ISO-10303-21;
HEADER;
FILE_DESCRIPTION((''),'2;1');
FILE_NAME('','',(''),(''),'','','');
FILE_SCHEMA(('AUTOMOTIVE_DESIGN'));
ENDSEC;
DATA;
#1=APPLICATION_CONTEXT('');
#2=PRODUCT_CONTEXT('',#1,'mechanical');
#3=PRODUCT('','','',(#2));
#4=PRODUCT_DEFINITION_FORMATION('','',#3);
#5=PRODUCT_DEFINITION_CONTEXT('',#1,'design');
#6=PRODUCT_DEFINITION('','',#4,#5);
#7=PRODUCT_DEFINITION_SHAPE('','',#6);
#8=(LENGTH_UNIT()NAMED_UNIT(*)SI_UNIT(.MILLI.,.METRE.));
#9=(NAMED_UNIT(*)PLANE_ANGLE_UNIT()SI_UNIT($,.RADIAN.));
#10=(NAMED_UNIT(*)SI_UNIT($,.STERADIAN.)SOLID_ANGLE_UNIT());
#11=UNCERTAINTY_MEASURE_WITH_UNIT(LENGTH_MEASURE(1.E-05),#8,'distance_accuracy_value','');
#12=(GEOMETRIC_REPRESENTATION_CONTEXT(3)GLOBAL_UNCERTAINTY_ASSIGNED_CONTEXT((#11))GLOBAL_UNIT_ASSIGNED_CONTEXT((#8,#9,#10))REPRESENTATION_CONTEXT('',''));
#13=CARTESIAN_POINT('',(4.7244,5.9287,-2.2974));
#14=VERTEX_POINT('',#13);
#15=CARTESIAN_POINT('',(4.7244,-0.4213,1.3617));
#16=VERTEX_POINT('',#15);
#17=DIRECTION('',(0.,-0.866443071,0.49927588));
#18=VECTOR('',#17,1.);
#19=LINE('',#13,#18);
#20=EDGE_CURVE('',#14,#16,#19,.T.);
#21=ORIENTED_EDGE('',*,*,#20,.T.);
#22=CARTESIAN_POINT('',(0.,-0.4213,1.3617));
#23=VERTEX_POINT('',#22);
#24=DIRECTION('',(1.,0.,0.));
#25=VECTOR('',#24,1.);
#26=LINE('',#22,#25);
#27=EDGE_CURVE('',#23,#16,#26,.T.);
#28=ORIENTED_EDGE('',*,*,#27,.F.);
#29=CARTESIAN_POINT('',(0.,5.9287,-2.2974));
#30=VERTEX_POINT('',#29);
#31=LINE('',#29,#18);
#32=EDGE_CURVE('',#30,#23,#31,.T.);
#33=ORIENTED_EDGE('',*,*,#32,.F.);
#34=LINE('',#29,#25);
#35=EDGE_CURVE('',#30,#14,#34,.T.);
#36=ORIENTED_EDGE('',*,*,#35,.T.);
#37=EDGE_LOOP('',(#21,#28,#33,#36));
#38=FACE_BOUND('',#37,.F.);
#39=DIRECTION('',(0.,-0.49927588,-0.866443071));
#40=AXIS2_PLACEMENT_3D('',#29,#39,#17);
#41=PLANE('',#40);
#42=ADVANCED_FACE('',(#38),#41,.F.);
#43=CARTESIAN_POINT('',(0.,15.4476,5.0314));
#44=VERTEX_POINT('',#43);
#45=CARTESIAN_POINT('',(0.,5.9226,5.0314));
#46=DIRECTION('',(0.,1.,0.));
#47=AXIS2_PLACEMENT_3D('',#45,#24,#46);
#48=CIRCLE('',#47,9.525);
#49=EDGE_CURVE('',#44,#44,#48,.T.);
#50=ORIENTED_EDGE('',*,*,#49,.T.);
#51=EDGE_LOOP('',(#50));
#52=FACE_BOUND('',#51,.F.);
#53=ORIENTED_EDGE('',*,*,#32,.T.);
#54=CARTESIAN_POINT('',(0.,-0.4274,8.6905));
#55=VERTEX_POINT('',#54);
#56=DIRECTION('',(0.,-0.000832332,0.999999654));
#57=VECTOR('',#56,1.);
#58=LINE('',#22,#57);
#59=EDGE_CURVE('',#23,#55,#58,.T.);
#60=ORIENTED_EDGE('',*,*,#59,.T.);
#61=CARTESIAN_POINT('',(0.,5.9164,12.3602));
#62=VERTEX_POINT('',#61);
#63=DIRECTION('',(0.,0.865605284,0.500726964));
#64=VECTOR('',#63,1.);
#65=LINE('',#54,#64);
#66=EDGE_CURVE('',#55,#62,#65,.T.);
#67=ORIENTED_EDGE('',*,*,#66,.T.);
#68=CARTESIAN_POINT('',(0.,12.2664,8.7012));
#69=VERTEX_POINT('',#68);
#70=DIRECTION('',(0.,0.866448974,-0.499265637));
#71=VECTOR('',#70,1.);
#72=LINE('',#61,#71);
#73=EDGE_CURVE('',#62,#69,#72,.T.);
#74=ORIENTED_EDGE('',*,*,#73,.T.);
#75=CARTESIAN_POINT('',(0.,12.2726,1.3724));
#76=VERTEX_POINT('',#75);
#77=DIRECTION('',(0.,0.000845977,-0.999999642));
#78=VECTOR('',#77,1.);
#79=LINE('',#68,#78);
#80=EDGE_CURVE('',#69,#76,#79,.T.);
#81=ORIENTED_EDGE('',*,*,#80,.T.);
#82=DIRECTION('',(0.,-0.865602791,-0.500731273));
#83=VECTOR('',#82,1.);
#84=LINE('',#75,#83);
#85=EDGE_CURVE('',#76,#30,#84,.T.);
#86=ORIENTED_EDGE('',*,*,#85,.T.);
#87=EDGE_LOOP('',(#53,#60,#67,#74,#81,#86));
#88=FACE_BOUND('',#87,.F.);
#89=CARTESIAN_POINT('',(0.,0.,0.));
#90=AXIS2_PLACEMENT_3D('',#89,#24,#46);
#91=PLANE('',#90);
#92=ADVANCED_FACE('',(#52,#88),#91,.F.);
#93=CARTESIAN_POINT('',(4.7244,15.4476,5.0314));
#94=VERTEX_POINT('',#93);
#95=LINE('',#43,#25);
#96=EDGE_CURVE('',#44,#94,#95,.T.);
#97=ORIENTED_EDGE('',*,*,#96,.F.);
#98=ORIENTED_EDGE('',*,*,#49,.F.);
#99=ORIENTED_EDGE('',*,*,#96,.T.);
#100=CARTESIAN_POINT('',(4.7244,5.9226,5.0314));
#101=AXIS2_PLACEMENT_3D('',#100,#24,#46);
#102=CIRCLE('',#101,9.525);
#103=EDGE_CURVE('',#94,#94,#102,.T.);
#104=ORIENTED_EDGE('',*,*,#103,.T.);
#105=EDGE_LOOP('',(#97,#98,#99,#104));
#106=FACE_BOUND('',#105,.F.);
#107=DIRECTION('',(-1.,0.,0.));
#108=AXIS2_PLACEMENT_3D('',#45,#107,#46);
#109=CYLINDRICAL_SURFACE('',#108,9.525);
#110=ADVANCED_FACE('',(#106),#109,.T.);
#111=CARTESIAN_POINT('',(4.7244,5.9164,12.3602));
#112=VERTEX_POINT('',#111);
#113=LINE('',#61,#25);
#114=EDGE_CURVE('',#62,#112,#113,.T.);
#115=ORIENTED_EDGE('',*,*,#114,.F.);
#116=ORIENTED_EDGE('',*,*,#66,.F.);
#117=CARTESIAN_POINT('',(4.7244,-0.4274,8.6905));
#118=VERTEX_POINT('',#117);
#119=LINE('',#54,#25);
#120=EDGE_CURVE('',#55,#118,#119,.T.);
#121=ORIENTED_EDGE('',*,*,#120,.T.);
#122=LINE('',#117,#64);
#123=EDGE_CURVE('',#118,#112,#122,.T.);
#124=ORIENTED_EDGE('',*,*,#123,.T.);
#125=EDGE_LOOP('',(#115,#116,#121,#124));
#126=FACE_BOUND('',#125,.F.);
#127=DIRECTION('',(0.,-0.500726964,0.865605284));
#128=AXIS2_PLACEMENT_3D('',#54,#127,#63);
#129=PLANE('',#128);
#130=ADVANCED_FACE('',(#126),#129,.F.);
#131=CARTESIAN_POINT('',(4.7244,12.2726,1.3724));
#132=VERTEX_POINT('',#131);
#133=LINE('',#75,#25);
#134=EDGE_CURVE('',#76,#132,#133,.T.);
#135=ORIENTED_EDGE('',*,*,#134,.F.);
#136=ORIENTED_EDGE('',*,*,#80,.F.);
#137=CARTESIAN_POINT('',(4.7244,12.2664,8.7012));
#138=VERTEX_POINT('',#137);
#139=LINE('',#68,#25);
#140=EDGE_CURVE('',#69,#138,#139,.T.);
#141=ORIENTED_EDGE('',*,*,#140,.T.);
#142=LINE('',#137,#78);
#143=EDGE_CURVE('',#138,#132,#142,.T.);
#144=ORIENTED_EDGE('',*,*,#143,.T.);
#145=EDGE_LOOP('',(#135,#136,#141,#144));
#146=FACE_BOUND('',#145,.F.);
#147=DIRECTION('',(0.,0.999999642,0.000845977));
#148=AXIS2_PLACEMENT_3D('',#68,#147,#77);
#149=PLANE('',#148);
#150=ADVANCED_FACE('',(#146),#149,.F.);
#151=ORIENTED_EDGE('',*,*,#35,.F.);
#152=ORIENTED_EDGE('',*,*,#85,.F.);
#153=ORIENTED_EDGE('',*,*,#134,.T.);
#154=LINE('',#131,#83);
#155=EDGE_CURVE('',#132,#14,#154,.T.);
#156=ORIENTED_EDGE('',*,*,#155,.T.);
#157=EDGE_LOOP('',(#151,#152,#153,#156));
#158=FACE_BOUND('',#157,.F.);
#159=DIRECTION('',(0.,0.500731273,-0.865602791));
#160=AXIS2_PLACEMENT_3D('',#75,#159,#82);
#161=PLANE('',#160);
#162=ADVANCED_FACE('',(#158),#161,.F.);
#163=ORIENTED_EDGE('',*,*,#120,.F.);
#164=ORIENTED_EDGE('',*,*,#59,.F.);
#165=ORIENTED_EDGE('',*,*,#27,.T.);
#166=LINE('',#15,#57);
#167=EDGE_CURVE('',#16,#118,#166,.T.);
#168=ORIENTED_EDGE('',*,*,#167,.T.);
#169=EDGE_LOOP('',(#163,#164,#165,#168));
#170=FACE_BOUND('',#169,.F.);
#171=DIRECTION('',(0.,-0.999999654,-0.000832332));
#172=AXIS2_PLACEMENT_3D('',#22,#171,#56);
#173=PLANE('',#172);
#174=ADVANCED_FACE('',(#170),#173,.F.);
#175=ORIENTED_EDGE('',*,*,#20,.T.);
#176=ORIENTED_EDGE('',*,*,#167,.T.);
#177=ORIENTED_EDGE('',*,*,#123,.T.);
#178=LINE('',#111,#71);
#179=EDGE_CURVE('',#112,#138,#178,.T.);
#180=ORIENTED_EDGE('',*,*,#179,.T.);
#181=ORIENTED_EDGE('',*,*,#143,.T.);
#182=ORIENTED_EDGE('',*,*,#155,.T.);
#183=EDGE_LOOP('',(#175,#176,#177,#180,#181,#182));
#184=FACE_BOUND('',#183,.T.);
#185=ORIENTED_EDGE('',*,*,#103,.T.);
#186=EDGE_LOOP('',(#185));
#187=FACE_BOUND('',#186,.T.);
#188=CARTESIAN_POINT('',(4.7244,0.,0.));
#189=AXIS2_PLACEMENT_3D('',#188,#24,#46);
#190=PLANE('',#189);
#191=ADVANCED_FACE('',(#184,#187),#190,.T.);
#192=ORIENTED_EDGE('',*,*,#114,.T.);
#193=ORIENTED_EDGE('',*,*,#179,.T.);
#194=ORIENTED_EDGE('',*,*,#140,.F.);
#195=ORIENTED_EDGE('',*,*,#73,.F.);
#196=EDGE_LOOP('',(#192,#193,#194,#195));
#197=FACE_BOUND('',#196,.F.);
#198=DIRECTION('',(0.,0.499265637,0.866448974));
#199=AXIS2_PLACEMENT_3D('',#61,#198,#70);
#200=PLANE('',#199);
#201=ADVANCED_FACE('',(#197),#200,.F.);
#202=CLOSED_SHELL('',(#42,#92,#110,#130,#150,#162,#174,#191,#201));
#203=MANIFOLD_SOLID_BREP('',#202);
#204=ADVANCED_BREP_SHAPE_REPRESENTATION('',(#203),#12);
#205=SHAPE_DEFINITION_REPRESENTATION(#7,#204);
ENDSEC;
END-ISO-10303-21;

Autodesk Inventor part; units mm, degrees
ref_plane "YZ Plane" through (0, 0, 0) normal (1, 0, 0) x (0, 1, 0)
ref_plane "XZ Plane" through (0, 0, 0) normal (0, 1, 0) x (-1, 0, 0)
ref_plane "XY Plane" through (0, 0, 0) normal (0, 0, 1) x (1, 0, 0)
sketch "Sketch1" plane through (0, 0, 0) normal (1, 0, 0) x (0, 1, 0)
  circle A0 centre (5.9226, 5.0314) radius 9.525
  line L0 (5.9226, 5.0314) -> (12.2726, 5.0314) construction
  line L1 (12.2726, 1.3724) -> (5.9287, -2.2974)
  line L2 (5.9287, -2.2974) -> (-0.4213, 1.3617)
  line L3 (-0.4213, 1.3617) -> (-0.4274, 8.6905)
  line L4 (-0.4274, 8.6905) -> (5.9164, 12.3602)
  line L5 (5.9164, 12.3602) -> (12.2664, 8.7012)
  line L6 (12.2664, 8.7012) -> (12.2726, 1.3724)
  point P0 (0, 0)
  dimension "d0" = 19.05
extrude "Extrusion1" add sketch "Sketch1" along normal blind 4.7244
properties part number "3D Model Spacer"
